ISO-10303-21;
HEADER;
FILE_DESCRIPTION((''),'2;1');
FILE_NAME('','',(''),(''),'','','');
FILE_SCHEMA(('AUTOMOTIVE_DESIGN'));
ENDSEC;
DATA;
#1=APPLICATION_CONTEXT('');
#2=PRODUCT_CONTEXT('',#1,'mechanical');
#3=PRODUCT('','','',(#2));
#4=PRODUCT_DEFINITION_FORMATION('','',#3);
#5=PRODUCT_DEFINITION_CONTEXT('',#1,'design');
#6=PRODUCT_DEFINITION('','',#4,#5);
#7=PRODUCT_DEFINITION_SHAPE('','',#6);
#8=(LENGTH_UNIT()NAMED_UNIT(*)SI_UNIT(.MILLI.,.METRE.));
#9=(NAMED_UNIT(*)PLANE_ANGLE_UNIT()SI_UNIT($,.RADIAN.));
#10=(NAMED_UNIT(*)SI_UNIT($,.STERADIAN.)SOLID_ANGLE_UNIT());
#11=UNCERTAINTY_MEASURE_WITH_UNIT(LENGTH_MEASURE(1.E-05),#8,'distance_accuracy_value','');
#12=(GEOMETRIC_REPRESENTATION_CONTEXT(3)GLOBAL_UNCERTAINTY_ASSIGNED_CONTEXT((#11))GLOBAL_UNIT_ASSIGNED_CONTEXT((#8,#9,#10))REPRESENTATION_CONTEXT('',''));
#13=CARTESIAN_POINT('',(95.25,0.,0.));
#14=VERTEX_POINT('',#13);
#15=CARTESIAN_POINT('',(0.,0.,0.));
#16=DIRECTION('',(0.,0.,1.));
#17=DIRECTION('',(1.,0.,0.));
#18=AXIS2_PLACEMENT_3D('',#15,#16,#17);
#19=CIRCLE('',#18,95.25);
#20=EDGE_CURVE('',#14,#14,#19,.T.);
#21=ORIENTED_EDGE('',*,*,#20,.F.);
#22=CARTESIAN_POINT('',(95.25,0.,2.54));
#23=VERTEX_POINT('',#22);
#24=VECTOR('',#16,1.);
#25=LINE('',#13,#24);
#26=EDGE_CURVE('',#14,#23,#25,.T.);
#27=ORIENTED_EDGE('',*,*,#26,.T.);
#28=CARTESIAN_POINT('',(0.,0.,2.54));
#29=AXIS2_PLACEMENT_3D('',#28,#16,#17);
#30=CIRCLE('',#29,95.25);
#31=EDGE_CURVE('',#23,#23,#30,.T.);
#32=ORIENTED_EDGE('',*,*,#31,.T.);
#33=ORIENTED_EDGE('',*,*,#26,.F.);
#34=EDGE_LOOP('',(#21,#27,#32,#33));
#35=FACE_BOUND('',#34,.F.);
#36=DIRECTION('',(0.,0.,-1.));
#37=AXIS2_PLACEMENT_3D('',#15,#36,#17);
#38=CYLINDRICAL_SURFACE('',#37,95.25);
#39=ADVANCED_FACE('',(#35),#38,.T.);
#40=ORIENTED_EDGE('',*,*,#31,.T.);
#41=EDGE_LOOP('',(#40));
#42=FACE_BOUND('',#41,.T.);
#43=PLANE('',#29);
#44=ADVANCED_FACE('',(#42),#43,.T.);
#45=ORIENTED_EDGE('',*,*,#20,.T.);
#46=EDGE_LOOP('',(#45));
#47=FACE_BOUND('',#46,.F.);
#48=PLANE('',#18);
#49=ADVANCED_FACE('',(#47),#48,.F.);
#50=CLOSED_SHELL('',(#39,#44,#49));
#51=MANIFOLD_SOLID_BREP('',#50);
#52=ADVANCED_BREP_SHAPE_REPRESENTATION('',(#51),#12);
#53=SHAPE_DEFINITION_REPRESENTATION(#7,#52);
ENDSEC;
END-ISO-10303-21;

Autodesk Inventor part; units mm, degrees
ref_plane "YZ Plane" through (0, 0, 0) normal (1, 0, 0) x (0, 1, 0)
ref_plane "XZ Plane" through (0, 0, 0) normal (0, 1, 0) x (-1, 0, 0)
ref_plane "XY Plane" through (0, 0, 0) normal (0, 0, 1) x (1, 0, 0)
sketch "Sketch1" plane through (0, 0, 0) normal (0, 0, 1) x (1, 0, 0)
  line L0 (-165.1, 165.1) -> (-165.1, -165.1) projected
  line L1 (-165.1, -165.1) -> (165.1, -165.1) projected
  line L2 (165.1, -165.1) -> (165.1, 165.1) projected
  line L3 (165.1, 165.1) -> (-165.1, 165.1) projected
  circle A0 centre (0, 0) radius 95.25
  dimension "d0" = 190.5
extrude "Extrusion1" add sketch "Sketch1" along normal blind 2.54 contours A0
properties part number "Burner" material "ABS Plastic"
